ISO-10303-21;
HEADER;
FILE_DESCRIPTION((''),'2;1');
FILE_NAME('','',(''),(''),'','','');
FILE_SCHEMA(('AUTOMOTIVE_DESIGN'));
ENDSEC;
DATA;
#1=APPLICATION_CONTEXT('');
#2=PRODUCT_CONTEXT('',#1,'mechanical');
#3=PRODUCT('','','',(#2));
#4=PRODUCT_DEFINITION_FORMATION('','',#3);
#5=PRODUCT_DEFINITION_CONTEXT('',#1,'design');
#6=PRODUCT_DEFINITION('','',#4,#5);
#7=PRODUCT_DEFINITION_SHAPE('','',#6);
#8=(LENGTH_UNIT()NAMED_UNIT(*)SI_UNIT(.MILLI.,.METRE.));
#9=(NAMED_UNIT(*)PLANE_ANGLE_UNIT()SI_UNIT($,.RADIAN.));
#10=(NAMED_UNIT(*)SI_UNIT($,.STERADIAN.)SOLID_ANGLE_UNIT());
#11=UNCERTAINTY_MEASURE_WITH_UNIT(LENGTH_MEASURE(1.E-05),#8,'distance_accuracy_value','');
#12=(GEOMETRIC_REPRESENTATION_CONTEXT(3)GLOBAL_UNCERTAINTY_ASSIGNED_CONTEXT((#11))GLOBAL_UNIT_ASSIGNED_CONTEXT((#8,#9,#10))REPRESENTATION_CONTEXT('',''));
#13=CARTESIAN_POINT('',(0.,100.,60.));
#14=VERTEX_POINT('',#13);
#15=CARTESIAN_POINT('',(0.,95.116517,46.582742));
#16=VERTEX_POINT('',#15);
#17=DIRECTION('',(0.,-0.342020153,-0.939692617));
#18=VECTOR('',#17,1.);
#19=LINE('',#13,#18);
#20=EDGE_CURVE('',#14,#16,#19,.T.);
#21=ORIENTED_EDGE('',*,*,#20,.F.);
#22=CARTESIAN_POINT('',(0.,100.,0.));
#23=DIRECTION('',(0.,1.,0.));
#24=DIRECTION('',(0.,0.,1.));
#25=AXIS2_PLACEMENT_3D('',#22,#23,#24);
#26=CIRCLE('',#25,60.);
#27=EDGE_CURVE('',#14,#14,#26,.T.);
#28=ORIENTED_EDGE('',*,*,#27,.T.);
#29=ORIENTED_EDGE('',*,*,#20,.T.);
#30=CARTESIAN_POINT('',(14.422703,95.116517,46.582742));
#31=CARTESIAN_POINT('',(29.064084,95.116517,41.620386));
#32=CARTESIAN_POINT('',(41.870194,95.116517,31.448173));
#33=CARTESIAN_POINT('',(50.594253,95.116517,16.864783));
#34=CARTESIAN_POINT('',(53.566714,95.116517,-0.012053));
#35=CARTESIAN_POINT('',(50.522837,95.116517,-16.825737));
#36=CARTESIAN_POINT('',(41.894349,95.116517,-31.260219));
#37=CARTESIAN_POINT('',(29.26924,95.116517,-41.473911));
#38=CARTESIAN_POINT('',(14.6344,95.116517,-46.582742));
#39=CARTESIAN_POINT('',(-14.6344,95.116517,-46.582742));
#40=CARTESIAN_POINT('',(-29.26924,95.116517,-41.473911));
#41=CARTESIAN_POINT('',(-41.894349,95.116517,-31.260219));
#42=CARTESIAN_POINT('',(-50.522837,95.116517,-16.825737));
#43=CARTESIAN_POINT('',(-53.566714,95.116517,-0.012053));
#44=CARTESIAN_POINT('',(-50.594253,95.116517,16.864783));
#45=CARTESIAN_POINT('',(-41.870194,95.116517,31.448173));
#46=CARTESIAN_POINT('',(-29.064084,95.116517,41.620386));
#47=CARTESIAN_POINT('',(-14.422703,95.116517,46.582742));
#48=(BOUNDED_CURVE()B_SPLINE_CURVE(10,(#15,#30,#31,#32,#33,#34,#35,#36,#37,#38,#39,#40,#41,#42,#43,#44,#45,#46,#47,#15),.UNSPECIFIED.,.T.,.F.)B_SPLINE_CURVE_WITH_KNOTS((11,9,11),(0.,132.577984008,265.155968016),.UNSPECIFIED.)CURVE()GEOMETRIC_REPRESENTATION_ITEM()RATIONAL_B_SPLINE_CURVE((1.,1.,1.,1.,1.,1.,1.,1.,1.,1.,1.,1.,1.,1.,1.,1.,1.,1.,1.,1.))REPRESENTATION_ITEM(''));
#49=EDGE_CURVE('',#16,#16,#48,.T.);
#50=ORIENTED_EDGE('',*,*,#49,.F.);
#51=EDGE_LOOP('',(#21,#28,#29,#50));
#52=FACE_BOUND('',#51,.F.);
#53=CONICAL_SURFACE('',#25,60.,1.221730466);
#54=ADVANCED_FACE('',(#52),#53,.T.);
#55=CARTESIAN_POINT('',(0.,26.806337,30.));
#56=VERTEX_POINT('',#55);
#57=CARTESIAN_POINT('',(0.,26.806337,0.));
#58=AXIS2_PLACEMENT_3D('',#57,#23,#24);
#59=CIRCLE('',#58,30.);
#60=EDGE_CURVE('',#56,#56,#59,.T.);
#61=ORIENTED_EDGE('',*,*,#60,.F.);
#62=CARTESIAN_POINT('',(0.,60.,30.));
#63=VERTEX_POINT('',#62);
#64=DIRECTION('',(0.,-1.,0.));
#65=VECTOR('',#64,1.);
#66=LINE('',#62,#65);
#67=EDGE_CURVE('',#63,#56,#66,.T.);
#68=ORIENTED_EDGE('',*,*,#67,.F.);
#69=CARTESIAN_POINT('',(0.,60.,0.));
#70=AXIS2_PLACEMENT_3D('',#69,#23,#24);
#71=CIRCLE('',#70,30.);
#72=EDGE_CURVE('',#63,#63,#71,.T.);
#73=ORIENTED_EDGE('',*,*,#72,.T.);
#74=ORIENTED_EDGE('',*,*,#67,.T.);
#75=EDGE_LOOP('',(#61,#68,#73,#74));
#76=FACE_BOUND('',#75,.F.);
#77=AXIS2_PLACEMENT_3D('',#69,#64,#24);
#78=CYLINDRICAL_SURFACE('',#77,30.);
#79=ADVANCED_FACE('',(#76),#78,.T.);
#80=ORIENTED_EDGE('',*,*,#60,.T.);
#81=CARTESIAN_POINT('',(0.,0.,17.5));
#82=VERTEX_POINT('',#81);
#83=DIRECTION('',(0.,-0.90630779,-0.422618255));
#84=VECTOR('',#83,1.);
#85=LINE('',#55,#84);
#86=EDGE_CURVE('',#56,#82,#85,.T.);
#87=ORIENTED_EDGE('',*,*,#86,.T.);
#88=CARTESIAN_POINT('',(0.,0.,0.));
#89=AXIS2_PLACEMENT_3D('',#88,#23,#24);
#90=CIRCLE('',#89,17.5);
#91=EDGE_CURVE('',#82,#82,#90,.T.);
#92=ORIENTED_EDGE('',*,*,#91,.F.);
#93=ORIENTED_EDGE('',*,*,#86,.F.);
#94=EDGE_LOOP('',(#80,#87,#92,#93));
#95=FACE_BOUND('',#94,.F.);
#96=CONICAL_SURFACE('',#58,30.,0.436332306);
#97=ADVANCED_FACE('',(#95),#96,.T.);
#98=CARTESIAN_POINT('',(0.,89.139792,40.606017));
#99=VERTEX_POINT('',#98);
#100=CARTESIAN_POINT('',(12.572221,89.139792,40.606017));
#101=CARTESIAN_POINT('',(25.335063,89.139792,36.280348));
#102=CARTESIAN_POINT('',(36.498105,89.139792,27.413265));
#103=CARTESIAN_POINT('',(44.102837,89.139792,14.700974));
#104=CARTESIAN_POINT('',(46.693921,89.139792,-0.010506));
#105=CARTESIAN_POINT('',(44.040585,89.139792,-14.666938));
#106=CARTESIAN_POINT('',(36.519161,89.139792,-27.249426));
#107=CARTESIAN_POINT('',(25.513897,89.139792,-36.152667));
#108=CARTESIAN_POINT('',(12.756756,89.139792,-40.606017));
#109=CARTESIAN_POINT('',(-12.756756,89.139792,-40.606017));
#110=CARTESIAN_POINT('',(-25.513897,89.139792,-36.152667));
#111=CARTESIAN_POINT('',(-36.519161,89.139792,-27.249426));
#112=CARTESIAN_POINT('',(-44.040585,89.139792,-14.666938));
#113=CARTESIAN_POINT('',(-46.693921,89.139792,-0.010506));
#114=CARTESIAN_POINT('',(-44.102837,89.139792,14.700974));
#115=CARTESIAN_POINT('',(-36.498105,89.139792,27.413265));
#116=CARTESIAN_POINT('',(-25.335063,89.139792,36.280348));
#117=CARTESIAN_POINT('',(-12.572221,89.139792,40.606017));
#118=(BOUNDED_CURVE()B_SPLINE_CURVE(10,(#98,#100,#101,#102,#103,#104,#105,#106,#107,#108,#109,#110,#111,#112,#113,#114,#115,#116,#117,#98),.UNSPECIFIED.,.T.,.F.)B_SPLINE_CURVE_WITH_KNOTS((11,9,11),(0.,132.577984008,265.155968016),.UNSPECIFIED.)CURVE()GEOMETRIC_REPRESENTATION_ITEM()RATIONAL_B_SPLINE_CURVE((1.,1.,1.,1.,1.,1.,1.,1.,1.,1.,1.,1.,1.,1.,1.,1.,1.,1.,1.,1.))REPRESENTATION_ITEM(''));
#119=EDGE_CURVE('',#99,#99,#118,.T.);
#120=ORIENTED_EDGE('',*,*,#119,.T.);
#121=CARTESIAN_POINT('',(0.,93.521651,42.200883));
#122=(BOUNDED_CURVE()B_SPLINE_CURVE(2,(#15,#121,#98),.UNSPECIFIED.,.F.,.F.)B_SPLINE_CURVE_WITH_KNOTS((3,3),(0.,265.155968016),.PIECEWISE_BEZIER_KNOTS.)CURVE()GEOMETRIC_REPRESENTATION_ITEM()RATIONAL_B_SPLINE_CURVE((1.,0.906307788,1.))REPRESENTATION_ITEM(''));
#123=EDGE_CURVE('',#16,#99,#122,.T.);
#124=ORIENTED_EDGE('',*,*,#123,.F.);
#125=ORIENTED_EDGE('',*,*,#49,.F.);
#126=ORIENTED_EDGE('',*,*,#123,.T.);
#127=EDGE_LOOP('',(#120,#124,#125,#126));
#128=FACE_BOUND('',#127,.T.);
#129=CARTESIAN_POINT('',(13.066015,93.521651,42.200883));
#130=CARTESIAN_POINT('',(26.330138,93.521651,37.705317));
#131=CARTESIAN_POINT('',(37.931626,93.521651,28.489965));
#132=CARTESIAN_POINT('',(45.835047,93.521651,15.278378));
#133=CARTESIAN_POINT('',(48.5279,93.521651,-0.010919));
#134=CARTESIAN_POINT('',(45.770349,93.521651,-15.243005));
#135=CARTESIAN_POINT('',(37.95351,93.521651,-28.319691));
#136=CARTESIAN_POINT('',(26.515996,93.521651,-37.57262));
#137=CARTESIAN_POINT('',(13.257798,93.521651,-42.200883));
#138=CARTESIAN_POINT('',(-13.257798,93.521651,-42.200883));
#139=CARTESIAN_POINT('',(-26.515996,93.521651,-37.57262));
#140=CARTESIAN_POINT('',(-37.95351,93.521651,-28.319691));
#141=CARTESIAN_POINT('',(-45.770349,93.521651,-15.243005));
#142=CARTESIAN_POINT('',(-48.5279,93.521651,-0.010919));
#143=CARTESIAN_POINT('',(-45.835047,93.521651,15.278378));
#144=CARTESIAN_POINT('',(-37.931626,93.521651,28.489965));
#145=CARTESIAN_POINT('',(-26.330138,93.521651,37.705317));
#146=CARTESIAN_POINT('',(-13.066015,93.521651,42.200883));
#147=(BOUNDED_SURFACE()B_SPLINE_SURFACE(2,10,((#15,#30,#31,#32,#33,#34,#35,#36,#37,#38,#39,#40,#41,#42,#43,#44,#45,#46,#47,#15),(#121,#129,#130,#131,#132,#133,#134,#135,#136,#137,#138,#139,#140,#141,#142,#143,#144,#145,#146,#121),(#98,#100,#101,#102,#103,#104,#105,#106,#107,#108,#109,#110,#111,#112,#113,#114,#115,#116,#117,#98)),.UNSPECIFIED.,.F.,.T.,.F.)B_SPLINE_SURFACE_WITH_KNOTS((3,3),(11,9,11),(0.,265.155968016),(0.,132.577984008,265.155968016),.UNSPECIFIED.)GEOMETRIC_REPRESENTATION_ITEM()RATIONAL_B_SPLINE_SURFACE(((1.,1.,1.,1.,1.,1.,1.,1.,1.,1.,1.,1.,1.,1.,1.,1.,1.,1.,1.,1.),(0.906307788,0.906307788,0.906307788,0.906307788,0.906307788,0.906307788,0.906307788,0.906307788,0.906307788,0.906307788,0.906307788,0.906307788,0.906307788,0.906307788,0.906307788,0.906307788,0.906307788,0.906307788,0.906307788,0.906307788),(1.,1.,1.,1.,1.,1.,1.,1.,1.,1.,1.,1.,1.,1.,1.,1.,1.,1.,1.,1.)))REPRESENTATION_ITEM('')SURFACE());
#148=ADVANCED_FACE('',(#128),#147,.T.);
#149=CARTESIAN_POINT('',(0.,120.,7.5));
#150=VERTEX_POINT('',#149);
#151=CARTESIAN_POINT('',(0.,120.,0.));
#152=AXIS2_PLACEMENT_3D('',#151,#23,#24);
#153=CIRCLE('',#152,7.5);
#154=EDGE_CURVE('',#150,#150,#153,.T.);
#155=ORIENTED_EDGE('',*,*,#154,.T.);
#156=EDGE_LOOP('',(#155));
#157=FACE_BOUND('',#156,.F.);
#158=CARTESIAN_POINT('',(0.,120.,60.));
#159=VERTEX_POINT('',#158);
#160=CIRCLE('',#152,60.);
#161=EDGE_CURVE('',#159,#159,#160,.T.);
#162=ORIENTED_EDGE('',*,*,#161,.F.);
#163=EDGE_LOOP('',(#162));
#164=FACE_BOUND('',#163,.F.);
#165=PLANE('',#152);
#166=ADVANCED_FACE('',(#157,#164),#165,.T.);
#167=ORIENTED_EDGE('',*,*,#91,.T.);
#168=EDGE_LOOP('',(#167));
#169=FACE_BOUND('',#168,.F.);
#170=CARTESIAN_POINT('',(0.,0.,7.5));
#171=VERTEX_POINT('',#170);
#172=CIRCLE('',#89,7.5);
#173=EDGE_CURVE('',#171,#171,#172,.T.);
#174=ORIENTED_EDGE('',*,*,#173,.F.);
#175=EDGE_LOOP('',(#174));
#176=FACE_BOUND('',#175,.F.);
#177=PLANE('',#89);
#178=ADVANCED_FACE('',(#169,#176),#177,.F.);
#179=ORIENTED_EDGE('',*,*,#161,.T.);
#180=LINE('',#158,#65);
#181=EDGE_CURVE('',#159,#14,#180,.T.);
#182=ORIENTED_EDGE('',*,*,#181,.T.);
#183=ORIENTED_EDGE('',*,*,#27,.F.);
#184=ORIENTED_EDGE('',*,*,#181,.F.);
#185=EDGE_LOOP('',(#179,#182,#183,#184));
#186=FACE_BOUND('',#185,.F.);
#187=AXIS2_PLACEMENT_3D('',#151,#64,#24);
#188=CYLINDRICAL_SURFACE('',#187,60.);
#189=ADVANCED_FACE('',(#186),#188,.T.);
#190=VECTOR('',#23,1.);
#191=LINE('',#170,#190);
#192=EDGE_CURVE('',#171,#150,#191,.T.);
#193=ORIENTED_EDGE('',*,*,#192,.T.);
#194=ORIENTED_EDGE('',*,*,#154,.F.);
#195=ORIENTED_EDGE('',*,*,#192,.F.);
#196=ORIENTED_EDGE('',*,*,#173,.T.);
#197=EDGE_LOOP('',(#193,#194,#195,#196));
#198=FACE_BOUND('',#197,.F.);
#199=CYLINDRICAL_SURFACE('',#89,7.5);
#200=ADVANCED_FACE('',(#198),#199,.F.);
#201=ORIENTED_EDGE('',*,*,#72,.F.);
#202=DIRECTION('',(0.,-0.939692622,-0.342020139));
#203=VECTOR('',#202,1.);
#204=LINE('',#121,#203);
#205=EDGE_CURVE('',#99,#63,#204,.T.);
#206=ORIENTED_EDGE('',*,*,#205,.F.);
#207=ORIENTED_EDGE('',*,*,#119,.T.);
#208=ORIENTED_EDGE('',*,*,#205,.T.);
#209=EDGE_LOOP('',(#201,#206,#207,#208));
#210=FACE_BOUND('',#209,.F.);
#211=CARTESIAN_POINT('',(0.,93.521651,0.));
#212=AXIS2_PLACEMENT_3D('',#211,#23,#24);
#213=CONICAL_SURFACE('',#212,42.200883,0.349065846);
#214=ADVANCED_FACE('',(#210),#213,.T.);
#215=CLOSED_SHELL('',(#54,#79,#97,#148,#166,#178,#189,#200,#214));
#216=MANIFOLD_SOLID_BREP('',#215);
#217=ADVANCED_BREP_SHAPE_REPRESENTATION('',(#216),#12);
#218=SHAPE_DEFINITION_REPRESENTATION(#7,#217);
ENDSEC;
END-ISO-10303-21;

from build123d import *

# Parameters (mm, degrees)
F2_R = 10


with BuildPart() as f1:
    # F0 (on Right) → F1 (revolve)
    with BuildSketch(Plane.YZ):
        Polygon((0, 17.5), (0, 7.5), (120, 7.5), (120, 60), (100, 60), (93.521651, 42.200883), (60, 30), (26.806337, 30), align=None)
    revolve(axis=Axis((0, 51.72596, 0), (0, 1, 0)))

    # F2
    f2_edges = [f1.edges().sort_by_distance(p)[0] for p in [
        (0, 93.521651, -42.200883),
    ]]
    fillet(f2_edges, radius=F2_R)


solid = f1.part
